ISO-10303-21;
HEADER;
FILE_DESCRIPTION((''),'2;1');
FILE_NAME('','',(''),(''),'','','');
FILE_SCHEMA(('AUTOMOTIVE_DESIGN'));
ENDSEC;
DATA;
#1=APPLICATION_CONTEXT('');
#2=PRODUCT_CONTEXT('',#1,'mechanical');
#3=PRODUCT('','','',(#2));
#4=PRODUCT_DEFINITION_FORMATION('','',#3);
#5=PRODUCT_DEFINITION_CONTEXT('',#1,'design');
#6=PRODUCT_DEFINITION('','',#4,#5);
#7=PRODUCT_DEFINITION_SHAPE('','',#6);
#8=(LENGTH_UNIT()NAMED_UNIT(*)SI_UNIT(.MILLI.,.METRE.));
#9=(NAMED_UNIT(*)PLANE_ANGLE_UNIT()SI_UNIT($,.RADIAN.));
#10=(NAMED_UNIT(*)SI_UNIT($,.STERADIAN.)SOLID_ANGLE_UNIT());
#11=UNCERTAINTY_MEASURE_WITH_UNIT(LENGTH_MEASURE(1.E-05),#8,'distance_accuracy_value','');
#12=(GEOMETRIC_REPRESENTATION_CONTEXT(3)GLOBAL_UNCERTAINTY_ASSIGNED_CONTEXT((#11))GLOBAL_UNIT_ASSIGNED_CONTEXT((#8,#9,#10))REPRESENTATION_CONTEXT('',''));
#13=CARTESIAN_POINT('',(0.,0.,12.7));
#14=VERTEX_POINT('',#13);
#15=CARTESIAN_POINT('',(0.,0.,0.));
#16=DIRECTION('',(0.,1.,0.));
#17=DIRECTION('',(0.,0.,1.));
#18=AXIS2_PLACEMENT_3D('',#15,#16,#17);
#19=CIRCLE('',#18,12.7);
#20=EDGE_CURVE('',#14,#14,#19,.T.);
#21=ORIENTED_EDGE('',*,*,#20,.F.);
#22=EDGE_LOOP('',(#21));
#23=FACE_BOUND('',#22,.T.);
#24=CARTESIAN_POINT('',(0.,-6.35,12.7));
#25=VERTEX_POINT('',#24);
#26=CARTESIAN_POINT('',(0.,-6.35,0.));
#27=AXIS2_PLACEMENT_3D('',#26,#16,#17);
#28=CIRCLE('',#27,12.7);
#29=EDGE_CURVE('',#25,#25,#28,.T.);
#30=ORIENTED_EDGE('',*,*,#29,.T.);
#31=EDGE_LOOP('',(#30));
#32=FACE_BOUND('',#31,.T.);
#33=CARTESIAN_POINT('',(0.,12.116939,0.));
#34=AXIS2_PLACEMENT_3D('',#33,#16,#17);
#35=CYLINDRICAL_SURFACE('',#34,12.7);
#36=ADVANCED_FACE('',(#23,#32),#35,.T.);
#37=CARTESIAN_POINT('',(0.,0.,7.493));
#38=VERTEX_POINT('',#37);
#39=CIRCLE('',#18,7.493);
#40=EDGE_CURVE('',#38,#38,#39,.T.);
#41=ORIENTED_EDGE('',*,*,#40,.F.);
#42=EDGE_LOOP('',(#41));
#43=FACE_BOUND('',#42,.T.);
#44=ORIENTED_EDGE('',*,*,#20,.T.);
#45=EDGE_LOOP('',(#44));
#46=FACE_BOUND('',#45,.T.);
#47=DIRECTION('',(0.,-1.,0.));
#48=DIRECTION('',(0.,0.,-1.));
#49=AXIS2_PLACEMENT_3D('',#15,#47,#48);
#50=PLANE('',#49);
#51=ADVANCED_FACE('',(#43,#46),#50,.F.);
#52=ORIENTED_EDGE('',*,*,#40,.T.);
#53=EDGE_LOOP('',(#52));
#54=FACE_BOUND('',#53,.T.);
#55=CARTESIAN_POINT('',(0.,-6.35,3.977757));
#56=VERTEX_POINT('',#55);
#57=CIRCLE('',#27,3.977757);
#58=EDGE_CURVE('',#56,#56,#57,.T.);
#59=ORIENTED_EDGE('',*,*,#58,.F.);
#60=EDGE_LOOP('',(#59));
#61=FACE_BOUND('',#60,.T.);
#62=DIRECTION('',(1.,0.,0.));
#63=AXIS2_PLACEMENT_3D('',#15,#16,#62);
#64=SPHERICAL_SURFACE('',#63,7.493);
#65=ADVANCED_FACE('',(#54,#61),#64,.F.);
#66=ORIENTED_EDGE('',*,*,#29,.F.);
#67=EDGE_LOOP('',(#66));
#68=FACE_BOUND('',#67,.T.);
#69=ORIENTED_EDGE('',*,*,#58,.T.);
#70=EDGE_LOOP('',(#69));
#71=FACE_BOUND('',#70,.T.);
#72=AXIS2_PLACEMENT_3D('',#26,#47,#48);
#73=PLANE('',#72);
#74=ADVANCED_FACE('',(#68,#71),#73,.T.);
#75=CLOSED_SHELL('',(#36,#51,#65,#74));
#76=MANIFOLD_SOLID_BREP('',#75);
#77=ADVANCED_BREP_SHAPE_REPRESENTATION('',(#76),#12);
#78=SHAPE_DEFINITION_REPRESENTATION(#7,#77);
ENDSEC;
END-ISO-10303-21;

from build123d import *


with BuildPart() as part:
    # Sketch1 → Revolve1 (revolve)
    with BuildSketch(Plane.XY, mode=Mode.PRIVATE) as revolve1_sk:
        with BuildLine():
            ThreePointArc((3.97775678, -6.35), (6.555546528, -3.629029998), (7.493, 0))
            Line((7.493, 0), (12.7, 0))
            Line((12.7, 0), (12.7, -6.35))
            Line((12.7, -6.35), (3.97775678, -6.35))
        make_face()
    revolve(revolve1_sk.sketch.rotate(Axis((0, 12.116938578, 0), (0, -1, 0)), 90), axis=Axis((0, 12.116938578, 0), (0, -1, 0)))


solid = part.part
